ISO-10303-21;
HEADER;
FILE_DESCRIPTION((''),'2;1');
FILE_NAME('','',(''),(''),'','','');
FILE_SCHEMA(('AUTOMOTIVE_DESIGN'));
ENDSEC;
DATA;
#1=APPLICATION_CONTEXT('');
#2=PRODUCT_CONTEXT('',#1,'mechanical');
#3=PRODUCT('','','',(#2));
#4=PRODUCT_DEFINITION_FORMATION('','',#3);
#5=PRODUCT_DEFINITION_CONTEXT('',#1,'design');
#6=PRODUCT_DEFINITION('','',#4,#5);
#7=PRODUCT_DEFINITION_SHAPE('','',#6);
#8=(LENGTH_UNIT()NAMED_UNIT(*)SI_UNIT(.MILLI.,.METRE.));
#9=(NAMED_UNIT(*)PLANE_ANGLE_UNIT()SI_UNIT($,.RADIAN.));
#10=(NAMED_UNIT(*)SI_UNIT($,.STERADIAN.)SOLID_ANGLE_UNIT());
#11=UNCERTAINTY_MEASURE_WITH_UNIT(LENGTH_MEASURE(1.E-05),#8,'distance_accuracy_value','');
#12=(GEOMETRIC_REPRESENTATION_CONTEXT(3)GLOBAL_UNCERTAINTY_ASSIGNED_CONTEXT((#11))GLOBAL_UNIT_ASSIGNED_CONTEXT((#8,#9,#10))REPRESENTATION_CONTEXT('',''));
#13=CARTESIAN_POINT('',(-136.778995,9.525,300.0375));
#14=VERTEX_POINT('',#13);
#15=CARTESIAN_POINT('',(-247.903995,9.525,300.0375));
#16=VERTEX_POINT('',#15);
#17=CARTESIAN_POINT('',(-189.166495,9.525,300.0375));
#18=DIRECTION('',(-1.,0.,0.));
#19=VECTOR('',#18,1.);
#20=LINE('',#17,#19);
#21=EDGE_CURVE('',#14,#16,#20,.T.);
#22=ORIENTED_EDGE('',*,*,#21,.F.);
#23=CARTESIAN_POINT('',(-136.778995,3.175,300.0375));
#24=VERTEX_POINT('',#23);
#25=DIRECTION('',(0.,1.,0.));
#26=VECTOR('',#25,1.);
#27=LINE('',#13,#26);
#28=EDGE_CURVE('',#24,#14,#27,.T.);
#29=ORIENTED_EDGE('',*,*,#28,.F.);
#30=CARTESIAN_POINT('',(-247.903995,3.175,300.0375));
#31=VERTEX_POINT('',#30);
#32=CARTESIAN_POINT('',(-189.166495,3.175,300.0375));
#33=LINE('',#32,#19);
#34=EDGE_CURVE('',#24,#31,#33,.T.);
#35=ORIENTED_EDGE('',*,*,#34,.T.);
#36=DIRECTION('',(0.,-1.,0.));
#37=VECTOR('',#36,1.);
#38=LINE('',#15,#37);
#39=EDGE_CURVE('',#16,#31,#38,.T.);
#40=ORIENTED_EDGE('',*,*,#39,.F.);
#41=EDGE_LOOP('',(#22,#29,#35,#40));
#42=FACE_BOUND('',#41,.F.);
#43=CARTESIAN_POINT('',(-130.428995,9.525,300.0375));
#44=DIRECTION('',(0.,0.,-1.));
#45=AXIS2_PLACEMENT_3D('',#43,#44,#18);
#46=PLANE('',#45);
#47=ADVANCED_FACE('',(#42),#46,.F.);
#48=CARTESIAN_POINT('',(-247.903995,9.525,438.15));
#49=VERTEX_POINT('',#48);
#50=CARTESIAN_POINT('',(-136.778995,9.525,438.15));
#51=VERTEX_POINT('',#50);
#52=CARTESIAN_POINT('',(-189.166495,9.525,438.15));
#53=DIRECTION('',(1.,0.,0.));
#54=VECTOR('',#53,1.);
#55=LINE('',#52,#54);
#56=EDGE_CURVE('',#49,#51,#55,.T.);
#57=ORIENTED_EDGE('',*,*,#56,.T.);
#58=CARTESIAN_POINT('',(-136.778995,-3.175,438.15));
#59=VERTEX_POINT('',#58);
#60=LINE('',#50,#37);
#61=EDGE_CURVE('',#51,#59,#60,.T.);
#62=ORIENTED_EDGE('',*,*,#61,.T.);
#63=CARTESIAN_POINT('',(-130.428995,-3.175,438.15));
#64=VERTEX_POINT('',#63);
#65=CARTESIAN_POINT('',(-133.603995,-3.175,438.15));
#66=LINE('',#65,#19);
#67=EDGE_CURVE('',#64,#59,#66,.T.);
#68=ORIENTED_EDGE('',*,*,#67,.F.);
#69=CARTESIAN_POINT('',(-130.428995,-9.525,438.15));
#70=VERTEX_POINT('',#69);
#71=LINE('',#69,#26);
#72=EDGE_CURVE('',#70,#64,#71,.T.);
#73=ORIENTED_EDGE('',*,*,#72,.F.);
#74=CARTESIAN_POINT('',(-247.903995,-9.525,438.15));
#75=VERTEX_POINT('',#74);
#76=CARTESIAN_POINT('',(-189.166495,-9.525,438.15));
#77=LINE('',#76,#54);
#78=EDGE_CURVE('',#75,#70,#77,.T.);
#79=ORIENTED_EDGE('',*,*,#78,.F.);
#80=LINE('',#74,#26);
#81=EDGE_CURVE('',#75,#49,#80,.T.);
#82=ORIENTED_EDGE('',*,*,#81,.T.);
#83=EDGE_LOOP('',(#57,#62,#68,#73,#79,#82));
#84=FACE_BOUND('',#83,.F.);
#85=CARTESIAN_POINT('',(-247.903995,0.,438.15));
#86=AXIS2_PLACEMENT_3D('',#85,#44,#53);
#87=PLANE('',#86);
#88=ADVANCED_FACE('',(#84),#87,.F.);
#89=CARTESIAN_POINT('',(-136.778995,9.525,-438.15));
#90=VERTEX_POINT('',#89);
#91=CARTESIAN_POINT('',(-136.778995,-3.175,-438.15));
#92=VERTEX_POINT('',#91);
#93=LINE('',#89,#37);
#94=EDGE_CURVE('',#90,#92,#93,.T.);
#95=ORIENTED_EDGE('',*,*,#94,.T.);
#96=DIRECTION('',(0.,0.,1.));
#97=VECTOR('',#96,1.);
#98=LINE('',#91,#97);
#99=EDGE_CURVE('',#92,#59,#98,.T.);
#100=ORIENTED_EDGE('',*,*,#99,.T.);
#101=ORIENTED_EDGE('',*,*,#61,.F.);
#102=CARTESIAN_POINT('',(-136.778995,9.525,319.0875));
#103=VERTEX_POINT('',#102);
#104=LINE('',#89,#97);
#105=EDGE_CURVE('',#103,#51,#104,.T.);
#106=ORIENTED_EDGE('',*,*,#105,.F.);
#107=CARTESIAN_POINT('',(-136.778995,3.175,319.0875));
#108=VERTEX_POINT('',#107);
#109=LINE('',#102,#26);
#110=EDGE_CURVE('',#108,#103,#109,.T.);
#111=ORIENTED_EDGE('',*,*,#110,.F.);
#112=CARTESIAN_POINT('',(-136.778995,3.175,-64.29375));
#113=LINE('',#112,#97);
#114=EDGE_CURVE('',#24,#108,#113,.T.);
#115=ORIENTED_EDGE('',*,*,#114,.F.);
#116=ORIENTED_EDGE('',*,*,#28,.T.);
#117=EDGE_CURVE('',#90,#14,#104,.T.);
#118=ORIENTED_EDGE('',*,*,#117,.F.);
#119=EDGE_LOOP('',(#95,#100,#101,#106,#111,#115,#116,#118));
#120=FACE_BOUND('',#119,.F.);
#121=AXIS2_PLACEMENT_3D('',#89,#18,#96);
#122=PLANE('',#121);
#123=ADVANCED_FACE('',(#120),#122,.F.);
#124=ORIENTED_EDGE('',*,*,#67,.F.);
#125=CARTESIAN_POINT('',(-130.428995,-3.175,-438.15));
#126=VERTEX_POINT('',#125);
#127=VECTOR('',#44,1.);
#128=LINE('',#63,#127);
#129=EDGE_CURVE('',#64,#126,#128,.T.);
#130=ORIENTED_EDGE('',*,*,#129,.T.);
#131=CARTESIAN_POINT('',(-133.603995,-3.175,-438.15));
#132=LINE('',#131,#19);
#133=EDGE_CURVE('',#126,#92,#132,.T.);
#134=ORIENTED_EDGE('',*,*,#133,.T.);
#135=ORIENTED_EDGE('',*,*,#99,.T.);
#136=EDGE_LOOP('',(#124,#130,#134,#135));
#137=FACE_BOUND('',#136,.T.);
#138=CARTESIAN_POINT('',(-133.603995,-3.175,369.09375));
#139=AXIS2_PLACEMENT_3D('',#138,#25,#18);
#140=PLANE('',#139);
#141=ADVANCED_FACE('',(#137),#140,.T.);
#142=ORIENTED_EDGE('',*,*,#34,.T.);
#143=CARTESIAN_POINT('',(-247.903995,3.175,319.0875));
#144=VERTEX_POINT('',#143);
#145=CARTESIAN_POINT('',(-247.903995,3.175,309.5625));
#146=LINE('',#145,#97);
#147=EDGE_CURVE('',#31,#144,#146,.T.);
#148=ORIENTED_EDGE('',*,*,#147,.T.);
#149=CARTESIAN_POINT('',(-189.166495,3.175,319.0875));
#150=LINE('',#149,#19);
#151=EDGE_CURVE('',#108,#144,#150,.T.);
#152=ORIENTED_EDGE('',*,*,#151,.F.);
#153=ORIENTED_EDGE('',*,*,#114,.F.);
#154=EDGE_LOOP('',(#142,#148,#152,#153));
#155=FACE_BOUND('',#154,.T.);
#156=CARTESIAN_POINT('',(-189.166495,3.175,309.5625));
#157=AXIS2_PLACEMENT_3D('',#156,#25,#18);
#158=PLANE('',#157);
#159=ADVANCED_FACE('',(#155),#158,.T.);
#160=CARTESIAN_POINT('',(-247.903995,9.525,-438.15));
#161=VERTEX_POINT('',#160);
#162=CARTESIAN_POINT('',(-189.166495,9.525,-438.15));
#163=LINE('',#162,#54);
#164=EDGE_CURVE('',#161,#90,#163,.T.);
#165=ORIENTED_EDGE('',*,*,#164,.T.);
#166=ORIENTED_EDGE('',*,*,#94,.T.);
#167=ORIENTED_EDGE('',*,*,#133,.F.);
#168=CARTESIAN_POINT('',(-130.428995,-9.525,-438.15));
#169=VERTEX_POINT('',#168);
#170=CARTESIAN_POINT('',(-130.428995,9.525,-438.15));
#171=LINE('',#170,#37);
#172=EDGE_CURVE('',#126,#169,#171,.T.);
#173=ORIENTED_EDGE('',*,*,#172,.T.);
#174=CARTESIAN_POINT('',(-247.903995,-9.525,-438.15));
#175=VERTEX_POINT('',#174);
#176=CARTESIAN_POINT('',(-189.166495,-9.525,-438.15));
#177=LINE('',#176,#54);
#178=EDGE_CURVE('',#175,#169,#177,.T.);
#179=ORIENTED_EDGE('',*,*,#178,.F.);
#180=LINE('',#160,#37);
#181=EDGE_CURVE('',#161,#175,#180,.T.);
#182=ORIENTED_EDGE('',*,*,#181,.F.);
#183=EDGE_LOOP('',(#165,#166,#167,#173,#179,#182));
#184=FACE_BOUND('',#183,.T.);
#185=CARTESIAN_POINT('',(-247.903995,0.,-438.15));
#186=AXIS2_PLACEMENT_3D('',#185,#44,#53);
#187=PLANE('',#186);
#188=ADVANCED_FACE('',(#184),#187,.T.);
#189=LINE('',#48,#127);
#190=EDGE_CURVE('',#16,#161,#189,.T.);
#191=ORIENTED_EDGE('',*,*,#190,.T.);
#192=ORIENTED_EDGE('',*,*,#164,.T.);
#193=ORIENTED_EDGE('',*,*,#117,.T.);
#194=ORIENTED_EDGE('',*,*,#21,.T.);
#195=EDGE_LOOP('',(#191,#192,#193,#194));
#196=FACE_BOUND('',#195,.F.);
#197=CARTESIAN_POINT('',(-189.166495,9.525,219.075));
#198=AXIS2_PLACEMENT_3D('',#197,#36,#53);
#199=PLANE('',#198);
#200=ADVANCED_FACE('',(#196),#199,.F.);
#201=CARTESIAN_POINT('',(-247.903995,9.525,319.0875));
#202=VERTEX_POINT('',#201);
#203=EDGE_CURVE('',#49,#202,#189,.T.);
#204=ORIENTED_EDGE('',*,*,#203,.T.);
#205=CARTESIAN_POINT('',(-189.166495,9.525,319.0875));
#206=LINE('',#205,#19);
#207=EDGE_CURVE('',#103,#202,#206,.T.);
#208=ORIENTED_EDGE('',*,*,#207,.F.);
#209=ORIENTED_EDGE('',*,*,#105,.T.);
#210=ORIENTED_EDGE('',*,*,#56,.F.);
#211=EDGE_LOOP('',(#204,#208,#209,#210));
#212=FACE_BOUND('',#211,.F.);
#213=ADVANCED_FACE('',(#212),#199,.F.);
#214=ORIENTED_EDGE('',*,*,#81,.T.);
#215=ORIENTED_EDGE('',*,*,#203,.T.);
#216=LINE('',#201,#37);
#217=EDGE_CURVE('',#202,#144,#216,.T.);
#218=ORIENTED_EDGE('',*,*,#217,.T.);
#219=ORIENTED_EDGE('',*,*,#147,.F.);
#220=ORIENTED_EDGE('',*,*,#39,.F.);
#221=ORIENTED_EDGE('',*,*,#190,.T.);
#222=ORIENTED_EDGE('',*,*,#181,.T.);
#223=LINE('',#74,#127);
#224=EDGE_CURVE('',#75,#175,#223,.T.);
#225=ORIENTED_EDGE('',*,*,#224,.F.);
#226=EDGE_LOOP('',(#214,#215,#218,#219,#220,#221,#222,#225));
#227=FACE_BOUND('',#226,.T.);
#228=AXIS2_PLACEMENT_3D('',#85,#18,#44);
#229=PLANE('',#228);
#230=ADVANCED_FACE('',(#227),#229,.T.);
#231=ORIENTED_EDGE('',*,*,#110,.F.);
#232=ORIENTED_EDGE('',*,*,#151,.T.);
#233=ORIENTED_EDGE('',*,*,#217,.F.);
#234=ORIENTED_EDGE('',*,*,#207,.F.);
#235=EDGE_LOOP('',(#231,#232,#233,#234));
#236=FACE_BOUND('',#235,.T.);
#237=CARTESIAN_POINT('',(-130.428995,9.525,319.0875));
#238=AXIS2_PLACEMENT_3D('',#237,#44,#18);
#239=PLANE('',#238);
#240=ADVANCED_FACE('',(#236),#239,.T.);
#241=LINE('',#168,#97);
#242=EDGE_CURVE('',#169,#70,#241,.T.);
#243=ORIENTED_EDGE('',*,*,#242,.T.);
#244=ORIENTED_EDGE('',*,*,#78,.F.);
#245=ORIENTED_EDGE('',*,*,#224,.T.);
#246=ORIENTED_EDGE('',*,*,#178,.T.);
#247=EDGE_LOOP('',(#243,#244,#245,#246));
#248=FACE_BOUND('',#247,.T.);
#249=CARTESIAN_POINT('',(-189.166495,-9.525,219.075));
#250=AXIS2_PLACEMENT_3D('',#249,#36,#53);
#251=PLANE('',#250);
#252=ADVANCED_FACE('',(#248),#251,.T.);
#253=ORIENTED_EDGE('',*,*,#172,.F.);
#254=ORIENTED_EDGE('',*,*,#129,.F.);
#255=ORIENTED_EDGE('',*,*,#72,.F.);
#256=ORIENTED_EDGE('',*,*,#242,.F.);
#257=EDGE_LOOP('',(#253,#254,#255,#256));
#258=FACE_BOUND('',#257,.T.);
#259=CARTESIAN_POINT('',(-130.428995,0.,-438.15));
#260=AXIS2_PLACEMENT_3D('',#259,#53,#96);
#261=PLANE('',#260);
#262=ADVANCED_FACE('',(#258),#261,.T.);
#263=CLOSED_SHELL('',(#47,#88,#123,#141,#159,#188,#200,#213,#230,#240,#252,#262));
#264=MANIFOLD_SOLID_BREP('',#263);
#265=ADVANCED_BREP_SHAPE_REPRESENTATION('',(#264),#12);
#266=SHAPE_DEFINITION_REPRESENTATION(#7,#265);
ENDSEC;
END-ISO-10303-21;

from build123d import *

# Parameters (mm, degrees)
F0_W     = 117.475
F0_H     = 438.15
F1_DEPTH = 9.525
F2_W     = 117.475
F2_H     = 19.05
F3_DEPTH = 6.35
F4_W     = 6.35
F4_H     = 138.1125
F4_H_2   = 738.1875
F5_DEPTH = 12.7


with BuildPart() as f1:
    # F0 (on Front) → F1 (new body, symmetric)
    with BuildSketch(Plane.XZ):
        with Locations((-189.1664953259, 219.075)):
            Rectangle(F0_W, F0_H)
        with Locations((-189.1664953259, -219.075)):
            Rectangle(F0_W, F0_H)
    extrude(amount=F1_DEPTH, both=True)

    # F2 (on face) → F3 (cut)
    with BuildSketch(Plane(origin=(0, 9.525, 0), x_dir=(-1, 0, 0), z_dir=(0, 1, 0))):
        with Locations((189.1664953259, 309.5625)):
            Rectangle(F2_W, F2_H)
    extrude(amount=-F3_DEPTH, mode=Mode.SUBTRACT)

    # F4 (on face) → F5 (cut)
    with BuildSketch(Plane(origin=(0, 9.525, 0), x_dir=(-1, 0, 0), z_dir=(0, 1, 0))):
        with Locations((133.6039953259, 369.09375)):
            Rectangle(F4_W, F4_H)
        with Locations((133.6039953259, -69.05625)):
            Rectangle(F4_W, F4_H_2)
    extrude(amount=-F5_DEPTH, mode=Mode.SUBTRACT)


solid = f1.part
